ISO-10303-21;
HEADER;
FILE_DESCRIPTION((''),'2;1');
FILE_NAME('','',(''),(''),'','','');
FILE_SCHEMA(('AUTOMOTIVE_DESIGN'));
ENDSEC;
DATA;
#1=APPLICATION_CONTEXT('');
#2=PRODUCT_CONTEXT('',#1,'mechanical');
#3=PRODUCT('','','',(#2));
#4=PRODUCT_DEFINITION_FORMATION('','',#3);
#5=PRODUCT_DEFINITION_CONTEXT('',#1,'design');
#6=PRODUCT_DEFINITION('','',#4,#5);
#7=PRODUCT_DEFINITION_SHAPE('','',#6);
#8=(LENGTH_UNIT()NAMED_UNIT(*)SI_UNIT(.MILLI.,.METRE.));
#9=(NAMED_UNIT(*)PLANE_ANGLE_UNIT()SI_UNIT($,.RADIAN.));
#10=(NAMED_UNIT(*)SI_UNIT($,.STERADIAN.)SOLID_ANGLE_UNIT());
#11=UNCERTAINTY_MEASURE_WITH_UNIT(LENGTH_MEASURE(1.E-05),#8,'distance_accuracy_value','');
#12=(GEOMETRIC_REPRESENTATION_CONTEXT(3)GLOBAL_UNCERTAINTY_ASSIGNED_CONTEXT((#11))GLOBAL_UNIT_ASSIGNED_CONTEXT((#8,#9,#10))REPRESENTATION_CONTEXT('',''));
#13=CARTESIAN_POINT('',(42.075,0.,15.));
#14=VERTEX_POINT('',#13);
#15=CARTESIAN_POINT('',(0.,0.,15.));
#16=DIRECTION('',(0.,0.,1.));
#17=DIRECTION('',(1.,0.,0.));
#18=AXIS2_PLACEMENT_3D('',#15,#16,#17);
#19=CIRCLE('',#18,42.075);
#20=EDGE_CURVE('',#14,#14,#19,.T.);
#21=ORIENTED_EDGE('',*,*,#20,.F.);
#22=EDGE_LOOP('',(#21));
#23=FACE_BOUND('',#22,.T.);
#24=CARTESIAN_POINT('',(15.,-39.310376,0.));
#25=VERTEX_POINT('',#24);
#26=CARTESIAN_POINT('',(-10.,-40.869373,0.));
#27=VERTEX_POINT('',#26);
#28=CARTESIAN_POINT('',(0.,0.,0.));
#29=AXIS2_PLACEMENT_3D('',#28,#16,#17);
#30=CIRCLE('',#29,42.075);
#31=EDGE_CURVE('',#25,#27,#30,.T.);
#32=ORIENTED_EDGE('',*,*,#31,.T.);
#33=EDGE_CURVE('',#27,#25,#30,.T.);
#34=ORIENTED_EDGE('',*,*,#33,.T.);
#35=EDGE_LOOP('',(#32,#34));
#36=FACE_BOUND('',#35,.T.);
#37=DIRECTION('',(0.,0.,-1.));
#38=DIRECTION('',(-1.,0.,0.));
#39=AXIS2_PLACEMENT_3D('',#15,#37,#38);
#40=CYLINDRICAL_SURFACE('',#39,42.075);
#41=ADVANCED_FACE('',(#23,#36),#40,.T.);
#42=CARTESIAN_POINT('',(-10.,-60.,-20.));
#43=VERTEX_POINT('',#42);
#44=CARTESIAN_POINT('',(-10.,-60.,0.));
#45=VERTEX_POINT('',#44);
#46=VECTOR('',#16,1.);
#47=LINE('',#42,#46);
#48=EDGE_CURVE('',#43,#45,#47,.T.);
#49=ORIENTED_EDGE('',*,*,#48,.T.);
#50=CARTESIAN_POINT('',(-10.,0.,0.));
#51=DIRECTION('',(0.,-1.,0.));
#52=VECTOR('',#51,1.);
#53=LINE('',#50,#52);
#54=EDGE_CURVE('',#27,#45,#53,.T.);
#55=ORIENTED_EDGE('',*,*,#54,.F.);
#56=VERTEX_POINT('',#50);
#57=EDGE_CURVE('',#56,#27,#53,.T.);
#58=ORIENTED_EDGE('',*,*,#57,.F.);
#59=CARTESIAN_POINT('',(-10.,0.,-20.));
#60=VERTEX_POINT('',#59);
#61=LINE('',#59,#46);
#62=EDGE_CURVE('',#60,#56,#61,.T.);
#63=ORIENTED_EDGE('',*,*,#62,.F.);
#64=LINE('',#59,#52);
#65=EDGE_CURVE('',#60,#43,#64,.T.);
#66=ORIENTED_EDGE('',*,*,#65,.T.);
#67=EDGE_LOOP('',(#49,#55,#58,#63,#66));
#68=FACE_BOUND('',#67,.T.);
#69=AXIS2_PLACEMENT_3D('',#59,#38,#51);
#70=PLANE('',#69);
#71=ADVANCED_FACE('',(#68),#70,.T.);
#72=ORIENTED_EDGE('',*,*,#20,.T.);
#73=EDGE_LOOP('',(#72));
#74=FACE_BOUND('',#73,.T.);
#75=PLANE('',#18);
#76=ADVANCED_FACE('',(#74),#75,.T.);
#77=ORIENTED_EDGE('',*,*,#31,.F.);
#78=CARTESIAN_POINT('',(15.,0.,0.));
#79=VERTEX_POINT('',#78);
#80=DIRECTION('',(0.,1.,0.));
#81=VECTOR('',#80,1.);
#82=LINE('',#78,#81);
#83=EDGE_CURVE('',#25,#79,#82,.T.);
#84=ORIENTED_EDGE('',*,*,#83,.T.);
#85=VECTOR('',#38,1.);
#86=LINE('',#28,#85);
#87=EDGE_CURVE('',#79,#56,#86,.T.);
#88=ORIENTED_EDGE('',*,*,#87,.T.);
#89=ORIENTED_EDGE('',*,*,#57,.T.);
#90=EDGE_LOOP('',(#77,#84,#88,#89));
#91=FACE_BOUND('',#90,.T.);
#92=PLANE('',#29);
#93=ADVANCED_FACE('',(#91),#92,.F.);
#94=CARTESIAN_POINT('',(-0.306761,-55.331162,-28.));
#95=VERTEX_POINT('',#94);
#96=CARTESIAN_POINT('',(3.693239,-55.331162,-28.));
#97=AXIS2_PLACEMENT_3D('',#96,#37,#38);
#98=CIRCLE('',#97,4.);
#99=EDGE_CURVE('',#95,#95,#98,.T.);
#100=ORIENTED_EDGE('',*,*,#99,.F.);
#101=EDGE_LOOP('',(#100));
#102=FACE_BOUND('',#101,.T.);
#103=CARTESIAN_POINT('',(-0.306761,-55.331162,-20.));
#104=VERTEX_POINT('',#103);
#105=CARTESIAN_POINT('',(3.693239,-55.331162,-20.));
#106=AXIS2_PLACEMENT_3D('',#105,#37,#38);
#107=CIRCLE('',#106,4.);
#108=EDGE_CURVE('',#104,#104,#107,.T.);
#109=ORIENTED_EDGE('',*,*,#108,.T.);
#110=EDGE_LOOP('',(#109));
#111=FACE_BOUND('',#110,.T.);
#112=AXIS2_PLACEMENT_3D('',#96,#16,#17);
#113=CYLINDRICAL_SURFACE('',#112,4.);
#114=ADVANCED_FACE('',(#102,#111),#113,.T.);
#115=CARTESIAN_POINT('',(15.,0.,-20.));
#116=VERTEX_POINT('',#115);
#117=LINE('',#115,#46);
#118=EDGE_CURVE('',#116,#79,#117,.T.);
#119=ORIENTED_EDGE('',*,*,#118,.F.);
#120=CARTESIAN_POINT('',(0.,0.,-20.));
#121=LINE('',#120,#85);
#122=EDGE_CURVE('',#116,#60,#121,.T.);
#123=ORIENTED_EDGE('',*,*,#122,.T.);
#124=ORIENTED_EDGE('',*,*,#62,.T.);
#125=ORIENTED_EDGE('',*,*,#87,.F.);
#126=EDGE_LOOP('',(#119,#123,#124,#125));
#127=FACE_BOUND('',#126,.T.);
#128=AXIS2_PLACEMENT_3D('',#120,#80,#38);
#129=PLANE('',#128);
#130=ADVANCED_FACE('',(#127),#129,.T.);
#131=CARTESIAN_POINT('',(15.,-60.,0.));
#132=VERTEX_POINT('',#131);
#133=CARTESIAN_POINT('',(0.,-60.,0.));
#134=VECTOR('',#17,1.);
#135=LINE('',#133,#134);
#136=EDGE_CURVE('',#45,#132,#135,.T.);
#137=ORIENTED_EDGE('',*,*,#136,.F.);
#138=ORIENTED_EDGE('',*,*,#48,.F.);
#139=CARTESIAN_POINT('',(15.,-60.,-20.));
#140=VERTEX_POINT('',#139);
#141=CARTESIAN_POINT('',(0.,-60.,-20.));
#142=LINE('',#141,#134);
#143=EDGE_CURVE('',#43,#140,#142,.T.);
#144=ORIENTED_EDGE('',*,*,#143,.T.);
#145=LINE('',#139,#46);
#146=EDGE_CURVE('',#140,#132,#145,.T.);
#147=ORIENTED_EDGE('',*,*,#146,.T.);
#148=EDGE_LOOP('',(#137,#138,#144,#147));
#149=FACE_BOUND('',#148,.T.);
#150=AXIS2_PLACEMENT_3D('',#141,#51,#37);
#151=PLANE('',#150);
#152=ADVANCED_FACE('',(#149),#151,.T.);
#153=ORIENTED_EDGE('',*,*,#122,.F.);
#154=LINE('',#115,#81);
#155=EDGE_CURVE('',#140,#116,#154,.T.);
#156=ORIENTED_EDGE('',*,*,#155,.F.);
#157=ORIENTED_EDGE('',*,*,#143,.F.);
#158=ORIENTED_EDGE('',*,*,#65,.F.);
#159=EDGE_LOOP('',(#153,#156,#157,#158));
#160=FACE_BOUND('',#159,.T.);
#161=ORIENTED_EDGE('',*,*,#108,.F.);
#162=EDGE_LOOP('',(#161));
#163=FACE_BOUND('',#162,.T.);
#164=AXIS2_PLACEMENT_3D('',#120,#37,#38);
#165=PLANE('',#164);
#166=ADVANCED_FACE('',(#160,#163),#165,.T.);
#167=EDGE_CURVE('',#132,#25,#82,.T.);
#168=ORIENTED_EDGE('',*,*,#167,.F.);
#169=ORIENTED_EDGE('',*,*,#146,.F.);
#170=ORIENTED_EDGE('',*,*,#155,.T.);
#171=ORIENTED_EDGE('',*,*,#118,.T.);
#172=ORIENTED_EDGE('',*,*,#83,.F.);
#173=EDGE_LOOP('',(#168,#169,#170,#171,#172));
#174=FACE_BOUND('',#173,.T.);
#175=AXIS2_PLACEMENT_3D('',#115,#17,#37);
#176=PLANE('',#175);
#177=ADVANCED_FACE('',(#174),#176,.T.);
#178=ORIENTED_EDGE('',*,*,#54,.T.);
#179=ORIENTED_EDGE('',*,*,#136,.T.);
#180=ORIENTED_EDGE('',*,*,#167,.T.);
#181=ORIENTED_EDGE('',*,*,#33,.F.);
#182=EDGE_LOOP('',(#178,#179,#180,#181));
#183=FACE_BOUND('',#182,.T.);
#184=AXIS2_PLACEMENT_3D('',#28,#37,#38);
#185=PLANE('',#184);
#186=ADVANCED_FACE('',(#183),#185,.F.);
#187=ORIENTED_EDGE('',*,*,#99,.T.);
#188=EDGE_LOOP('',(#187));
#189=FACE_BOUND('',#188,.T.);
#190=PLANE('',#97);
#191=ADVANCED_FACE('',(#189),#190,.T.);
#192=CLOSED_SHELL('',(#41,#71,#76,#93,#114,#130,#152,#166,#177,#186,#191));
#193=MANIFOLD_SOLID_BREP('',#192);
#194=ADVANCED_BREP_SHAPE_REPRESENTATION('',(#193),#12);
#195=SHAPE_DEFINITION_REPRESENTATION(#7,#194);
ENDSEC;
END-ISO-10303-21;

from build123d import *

# Parameters (mm, degrees)
SKETCH1_R           = 42.075
BOSS_EXTRUDE1_DEPTH = 15
BOSS_EXTRUDE3_DEPTH = 20
SKETCH10_R          = 4
BOSS_EXTRUDE8_DEPTH = 8


with BuildPart() as part:
    # Sketch1 → Boss-Extrude1 (new body)
    with BuildSketch(Plane.XY):
        Circle(SKETCH1_R)
    extrude(amount=BOSS_EXTRUDE1_DEPTH)

    # Sketch4 → Boss-Extrude3 (add)
    with BuildSketch(Plane(origin=(0, 0, 0), x_dir=(-1, 0, 0), z_dir=(0, 0, -1))):
        Polygon((10, 0), (0, 0), (-15, 0), (-15, -60), (10, -60), align=None)
    extrude(amount=BOSS_EXTRUDE3_DEPTH)

    # Sketch10 → Boss-Extrude8 (add)
    with BuildSketch(Plane(origin=(0, 0, -20), x_dir=(-1, 0, 0), z_dir=(0, 0, -1))):
        with Locations((-3.69323872, -55.331161555)):
            Circle(SKETCH10_R)
    extrude(amount=BOSS_EXTRUDE8_DEPTH)


solid = part.part
